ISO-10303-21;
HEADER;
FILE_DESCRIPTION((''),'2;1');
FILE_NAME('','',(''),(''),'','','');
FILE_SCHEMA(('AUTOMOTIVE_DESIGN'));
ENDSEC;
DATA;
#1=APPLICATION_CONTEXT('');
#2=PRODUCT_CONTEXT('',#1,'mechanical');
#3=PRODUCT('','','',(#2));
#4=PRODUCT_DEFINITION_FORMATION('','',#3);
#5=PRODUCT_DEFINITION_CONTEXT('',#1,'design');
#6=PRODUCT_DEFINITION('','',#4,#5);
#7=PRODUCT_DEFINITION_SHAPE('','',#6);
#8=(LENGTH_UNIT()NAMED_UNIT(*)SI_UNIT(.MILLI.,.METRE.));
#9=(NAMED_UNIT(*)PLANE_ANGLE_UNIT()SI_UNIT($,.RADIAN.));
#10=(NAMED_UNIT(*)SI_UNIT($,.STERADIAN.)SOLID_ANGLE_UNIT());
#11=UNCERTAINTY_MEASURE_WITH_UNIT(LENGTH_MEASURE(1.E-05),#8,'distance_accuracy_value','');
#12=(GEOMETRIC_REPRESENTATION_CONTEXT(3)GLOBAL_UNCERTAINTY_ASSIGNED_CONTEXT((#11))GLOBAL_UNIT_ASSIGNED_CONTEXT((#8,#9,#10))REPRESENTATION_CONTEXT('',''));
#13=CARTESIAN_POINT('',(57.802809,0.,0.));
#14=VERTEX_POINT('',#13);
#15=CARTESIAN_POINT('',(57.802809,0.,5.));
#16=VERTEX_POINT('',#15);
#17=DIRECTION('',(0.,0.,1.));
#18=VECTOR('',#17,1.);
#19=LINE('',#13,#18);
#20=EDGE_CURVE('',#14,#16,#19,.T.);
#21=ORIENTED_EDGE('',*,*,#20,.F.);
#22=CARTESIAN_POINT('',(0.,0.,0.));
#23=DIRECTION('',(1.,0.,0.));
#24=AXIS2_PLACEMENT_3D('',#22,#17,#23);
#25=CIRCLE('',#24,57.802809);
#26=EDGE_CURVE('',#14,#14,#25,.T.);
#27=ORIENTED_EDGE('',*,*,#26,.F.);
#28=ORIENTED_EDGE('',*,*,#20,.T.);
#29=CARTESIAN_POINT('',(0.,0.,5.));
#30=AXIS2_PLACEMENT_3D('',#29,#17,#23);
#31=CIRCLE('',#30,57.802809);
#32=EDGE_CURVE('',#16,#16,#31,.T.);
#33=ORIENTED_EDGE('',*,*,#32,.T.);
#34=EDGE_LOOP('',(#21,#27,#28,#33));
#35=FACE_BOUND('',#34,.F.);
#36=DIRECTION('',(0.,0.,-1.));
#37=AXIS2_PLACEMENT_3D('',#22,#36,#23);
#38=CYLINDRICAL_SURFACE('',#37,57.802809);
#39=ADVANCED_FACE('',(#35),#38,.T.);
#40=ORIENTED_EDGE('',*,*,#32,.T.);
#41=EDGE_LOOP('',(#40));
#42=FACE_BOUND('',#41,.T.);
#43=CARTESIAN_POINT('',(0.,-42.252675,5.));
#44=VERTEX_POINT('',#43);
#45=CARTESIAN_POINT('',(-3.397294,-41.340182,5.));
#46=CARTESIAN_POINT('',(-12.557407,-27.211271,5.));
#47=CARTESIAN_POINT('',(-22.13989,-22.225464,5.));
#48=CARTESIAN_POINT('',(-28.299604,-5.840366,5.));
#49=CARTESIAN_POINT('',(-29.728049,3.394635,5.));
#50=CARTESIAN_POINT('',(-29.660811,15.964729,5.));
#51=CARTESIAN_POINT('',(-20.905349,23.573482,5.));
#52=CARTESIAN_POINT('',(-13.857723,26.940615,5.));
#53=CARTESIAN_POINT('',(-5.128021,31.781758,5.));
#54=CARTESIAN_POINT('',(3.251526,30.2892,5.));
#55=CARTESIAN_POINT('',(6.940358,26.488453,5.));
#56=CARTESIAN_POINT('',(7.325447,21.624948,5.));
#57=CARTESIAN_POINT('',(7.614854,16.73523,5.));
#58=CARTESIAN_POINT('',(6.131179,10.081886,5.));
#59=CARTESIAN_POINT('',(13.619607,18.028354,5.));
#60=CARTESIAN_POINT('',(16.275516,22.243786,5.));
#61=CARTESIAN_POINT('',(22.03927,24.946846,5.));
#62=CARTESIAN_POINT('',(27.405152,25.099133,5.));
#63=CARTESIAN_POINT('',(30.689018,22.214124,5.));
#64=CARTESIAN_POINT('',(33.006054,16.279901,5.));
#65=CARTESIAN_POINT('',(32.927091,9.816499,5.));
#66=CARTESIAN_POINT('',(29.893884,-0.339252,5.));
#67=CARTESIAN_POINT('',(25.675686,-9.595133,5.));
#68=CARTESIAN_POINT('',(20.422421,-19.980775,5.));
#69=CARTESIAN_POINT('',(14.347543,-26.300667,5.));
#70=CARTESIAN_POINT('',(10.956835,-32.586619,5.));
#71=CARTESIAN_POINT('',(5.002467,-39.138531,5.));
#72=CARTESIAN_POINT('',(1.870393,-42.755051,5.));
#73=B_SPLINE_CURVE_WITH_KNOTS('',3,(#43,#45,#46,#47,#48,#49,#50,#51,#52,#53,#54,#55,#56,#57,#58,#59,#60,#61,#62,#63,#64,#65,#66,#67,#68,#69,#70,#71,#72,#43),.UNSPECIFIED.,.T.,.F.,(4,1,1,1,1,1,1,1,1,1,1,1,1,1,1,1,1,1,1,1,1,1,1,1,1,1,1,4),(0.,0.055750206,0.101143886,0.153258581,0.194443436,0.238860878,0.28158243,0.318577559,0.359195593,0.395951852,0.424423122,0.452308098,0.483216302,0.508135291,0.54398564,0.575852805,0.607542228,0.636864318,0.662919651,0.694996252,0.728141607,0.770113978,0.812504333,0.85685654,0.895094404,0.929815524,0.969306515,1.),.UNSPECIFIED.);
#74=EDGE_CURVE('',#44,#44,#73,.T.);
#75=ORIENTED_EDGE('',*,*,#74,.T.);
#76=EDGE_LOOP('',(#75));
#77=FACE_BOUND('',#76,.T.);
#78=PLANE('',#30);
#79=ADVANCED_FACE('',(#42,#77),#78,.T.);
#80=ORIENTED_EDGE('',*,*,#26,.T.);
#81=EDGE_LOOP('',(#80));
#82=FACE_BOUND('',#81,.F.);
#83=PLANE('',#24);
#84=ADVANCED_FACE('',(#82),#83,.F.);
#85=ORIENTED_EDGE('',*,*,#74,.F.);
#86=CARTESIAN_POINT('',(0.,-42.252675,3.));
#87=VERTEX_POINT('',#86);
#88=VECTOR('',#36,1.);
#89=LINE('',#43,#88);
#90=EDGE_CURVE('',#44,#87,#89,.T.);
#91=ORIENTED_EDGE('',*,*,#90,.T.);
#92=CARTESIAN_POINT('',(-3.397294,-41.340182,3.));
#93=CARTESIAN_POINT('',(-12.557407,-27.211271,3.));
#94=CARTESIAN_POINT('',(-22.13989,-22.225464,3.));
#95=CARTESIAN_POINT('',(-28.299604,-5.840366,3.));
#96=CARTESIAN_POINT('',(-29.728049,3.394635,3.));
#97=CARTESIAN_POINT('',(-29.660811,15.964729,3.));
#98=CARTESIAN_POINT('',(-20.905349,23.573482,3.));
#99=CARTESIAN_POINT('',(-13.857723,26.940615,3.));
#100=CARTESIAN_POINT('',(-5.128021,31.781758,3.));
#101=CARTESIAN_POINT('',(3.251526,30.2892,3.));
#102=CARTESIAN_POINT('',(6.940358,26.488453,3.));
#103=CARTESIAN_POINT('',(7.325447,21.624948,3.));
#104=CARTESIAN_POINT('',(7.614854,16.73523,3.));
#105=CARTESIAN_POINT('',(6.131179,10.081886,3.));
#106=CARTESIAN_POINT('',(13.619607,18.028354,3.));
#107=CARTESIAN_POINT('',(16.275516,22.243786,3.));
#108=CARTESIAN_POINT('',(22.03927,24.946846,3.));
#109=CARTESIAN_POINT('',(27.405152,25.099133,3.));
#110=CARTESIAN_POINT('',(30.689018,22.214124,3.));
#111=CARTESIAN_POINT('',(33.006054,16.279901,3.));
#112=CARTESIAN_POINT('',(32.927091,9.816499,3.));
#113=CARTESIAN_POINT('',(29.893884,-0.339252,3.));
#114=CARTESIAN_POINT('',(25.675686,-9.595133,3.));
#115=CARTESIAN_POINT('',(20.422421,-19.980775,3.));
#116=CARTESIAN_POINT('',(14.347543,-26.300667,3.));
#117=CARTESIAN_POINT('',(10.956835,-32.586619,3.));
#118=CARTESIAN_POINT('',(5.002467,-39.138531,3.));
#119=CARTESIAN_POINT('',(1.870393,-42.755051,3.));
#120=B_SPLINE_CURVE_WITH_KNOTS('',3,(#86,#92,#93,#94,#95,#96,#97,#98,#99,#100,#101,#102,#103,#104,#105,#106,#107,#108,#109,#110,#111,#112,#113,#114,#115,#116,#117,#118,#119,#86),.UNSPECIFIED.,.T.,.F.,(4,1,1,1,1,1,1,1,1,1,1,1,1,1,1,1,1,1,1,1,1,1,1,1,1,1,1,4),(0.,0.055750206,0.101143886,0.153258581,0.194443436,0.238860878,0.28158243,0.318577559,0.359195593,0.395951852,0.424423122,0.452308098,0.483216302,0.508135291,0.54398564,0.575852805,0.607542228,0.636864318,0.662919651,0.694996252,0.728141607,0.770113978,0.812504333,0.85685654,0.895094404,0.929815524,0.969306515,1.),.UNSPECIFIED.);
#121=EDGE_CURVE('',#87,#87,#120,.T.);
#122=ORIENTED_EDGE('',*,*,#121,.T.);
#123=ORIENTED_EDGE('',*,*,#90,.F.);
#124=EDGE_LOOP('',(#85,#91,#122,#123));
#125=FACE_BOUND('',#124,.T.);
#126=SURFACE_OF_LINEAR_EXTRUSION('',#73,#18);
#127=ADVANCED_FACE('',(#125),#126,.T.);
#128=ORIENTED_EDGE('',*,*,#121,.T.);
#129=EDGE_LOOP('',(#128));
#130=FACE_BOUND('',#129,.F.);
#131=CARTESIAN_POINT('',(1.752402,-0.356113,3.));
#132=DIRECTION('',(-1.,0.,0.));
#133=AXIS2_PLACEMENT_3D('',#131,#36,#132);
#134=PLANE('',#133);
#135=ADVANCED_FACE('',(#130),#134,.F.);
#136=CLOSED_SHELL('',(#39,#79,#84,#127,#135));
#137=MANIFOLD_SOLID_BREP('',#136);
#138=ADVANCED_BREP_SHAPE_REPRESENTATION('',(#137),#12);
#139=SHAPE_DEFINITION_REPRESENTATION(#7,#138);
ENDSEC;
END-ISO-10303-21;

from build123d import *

# Parameters (mm, degrees)
F0_R     = 57.8028086527
F1_DEPTH = 5
F3_DEPTH = 2


with BuildPart() as f1:
    # F0 (on Top) → F1 (new body)
    with BuildSketch(Plane.XY):
        Circle(F0_R)
    extrude(amount=F1_DEPTH)

    # F2 (on face) → F3 (cut)
    with BuildSketch(Plane.XY.offset(5)):
        with BuildLine():
            add(Edge.make_bspline(
                [(0, -42.2526746988), (-3.397293691, -41.3401816823), (-12.5574072275, -27.2112711089), (-22.1398902776, -22.2254639855), (-28.2996041663, -5.840365579), (-29.72804857, 3.3946353181), (-29.6608108612, 15.9647293876), (-20.9053485005, 23.5734815148), (-13.8577233217, 26.9406148102), (-5.1280211737, 31.781758236), (3.2515264573, 30.2891999397), (6.9403581591, 26.4884530818), (7.3254467443, 21.6249481583), (7.6148537905, 16.7352295034), (6.1311793523, 10.0818858998), (13.6196071159, 18.028354202), (16.275516129, 22.2437855489), (22.039270481, 24.9468460309), (27.4051515988, 25.0991330024), (30.6890179246, 22.2141242193), (33.0060540827, 16.2799008135), (32.9270909839, 9.8164989472), (29.8938842561, -0.339252014), (25.6756857667, -9.595132754), (20.4224212945, -19.9807746633), (14.3475429647, -26.3006669374), (10.9568347373, -32.5866189279), (5.0024665958, -39.1385305609), (1.8703927997, -42.7550511559), (0, -42.2526746988)],
                knots=[0, 0, 0, 0, 0.0557502062, 0.1011438863, 0.1532585815, 0.1944434364, 0.2388608781, 0.2815824298, 0.3185775587, 0.359195593, 0.3959518525, 0.4244231224, 0.4523080978, 0.4832163025, 0.5081352913, 0.5439856396, 0.5758528052, 0.6075422282, 0.6368643182, 0.6629196511, 0.6949962521, 0.7281416072, 0.770113978, 0.8125043331, 0.8568565398, 0.8950944043, 0.9298155241, 0.9693065146, 1, 1, 1, 1], degree=3))
        make_face()
    extrude(amount=-F3_DEPTH, mode=Mode.SUBTRACT)


solid = f1.part
